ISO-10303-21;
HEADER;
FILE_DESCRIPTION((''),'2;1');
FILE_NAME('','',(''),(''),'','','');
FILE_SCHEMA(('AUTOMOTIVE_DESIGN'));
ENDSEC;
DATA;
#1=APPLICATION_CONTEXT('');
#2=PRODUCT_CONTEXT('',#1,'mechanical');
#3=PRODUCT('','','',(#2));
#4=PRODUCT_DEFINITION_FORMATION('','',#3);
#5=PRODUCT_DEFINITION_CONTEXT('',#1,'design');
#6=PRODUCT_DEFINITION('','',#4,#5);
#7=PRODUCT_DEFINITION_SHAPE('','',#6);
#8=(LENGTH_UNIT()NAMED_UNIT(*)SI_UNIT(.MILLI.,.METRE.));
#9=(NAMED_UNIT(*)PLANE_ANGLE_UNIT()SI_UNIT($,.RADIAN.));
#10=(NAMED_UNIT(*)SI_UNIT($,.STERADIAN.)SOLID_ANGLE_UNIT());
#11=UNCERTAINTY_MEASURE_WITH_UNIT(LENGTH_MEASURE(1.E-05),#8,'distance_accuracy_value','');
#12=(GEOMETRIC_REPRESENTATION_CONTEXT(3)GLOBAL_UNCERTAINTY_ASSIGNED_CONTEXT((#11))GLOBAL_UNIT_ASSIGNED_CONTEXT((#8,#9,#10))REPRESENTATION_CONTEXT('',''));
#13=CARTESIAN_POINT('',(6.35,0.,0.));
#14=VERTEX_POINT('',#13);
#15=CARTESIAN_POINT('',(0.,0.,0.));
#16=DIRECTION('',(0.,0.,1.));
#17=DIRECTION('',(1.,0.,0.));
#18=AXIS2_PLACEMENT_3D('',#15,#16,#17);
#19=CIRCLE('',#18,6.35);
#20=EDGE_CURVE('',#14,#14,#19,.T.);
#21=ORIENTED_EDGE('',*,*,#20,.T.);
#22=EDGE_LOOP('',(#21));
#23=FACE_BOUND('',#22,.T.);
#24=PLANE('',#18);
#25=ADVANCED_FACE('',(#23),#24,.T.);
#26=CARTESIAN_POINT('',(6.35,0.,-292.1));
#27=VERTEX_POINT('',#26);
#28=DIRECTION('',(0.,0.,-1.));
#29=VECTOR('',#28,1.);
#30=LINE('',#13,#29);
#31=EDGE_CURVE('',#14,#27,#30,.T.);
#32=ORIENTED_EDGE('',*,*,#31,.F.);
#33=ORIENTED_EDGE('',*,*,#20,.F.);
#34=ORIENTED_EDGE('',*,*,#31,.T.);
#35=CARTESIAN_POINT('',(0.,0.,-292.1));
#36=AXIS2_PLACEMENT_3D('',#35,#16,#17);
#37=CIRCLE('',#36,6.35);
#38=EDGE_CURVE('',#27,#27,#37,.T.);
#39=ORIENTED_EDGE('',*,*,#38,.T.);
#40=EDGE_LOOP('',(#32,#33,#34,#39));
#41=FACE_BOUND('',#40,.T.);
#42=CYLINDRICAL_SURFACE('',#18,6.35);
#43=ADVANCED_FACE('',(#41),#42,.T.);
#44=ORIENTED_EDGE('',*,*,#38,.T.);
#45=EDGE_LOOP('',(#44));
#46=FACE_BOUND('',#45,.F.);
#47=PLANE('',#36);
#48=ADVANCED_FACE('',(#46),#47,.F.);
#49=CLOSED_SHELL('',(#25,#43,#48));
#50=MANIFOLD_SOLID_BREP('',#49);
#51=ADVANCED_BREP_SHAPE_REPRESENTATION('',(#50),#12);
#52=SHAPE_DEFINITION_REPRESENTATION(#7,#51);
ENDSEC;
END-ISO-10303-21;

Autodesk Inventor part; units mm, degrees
ref_plane "YZ Plane" through (0, 0, 0) normal (1, 0, 0) x (0, 1, 0)
ref_plane "XZ Plane" through (0, 0, 0) normal (0, 1, 0) x (-1, 0, 0)
ref_plane "XY Plane" through (0, 0, 0) normal (0, 0, 1) x (1, 0, 0)
sketch "Sketch1" plane through (0, 0, 0) normal (0, 0, 1) x (1, 0, 0)
  circle A0 centre (0, 0) radius 6.35
  dimension "d0" = 12.7
  dimension "d0" = 12.7
extrude "Extrusion1" add sketch "Sketch1" against normal blind 292.1
properties part number "axle1 .5inch"
